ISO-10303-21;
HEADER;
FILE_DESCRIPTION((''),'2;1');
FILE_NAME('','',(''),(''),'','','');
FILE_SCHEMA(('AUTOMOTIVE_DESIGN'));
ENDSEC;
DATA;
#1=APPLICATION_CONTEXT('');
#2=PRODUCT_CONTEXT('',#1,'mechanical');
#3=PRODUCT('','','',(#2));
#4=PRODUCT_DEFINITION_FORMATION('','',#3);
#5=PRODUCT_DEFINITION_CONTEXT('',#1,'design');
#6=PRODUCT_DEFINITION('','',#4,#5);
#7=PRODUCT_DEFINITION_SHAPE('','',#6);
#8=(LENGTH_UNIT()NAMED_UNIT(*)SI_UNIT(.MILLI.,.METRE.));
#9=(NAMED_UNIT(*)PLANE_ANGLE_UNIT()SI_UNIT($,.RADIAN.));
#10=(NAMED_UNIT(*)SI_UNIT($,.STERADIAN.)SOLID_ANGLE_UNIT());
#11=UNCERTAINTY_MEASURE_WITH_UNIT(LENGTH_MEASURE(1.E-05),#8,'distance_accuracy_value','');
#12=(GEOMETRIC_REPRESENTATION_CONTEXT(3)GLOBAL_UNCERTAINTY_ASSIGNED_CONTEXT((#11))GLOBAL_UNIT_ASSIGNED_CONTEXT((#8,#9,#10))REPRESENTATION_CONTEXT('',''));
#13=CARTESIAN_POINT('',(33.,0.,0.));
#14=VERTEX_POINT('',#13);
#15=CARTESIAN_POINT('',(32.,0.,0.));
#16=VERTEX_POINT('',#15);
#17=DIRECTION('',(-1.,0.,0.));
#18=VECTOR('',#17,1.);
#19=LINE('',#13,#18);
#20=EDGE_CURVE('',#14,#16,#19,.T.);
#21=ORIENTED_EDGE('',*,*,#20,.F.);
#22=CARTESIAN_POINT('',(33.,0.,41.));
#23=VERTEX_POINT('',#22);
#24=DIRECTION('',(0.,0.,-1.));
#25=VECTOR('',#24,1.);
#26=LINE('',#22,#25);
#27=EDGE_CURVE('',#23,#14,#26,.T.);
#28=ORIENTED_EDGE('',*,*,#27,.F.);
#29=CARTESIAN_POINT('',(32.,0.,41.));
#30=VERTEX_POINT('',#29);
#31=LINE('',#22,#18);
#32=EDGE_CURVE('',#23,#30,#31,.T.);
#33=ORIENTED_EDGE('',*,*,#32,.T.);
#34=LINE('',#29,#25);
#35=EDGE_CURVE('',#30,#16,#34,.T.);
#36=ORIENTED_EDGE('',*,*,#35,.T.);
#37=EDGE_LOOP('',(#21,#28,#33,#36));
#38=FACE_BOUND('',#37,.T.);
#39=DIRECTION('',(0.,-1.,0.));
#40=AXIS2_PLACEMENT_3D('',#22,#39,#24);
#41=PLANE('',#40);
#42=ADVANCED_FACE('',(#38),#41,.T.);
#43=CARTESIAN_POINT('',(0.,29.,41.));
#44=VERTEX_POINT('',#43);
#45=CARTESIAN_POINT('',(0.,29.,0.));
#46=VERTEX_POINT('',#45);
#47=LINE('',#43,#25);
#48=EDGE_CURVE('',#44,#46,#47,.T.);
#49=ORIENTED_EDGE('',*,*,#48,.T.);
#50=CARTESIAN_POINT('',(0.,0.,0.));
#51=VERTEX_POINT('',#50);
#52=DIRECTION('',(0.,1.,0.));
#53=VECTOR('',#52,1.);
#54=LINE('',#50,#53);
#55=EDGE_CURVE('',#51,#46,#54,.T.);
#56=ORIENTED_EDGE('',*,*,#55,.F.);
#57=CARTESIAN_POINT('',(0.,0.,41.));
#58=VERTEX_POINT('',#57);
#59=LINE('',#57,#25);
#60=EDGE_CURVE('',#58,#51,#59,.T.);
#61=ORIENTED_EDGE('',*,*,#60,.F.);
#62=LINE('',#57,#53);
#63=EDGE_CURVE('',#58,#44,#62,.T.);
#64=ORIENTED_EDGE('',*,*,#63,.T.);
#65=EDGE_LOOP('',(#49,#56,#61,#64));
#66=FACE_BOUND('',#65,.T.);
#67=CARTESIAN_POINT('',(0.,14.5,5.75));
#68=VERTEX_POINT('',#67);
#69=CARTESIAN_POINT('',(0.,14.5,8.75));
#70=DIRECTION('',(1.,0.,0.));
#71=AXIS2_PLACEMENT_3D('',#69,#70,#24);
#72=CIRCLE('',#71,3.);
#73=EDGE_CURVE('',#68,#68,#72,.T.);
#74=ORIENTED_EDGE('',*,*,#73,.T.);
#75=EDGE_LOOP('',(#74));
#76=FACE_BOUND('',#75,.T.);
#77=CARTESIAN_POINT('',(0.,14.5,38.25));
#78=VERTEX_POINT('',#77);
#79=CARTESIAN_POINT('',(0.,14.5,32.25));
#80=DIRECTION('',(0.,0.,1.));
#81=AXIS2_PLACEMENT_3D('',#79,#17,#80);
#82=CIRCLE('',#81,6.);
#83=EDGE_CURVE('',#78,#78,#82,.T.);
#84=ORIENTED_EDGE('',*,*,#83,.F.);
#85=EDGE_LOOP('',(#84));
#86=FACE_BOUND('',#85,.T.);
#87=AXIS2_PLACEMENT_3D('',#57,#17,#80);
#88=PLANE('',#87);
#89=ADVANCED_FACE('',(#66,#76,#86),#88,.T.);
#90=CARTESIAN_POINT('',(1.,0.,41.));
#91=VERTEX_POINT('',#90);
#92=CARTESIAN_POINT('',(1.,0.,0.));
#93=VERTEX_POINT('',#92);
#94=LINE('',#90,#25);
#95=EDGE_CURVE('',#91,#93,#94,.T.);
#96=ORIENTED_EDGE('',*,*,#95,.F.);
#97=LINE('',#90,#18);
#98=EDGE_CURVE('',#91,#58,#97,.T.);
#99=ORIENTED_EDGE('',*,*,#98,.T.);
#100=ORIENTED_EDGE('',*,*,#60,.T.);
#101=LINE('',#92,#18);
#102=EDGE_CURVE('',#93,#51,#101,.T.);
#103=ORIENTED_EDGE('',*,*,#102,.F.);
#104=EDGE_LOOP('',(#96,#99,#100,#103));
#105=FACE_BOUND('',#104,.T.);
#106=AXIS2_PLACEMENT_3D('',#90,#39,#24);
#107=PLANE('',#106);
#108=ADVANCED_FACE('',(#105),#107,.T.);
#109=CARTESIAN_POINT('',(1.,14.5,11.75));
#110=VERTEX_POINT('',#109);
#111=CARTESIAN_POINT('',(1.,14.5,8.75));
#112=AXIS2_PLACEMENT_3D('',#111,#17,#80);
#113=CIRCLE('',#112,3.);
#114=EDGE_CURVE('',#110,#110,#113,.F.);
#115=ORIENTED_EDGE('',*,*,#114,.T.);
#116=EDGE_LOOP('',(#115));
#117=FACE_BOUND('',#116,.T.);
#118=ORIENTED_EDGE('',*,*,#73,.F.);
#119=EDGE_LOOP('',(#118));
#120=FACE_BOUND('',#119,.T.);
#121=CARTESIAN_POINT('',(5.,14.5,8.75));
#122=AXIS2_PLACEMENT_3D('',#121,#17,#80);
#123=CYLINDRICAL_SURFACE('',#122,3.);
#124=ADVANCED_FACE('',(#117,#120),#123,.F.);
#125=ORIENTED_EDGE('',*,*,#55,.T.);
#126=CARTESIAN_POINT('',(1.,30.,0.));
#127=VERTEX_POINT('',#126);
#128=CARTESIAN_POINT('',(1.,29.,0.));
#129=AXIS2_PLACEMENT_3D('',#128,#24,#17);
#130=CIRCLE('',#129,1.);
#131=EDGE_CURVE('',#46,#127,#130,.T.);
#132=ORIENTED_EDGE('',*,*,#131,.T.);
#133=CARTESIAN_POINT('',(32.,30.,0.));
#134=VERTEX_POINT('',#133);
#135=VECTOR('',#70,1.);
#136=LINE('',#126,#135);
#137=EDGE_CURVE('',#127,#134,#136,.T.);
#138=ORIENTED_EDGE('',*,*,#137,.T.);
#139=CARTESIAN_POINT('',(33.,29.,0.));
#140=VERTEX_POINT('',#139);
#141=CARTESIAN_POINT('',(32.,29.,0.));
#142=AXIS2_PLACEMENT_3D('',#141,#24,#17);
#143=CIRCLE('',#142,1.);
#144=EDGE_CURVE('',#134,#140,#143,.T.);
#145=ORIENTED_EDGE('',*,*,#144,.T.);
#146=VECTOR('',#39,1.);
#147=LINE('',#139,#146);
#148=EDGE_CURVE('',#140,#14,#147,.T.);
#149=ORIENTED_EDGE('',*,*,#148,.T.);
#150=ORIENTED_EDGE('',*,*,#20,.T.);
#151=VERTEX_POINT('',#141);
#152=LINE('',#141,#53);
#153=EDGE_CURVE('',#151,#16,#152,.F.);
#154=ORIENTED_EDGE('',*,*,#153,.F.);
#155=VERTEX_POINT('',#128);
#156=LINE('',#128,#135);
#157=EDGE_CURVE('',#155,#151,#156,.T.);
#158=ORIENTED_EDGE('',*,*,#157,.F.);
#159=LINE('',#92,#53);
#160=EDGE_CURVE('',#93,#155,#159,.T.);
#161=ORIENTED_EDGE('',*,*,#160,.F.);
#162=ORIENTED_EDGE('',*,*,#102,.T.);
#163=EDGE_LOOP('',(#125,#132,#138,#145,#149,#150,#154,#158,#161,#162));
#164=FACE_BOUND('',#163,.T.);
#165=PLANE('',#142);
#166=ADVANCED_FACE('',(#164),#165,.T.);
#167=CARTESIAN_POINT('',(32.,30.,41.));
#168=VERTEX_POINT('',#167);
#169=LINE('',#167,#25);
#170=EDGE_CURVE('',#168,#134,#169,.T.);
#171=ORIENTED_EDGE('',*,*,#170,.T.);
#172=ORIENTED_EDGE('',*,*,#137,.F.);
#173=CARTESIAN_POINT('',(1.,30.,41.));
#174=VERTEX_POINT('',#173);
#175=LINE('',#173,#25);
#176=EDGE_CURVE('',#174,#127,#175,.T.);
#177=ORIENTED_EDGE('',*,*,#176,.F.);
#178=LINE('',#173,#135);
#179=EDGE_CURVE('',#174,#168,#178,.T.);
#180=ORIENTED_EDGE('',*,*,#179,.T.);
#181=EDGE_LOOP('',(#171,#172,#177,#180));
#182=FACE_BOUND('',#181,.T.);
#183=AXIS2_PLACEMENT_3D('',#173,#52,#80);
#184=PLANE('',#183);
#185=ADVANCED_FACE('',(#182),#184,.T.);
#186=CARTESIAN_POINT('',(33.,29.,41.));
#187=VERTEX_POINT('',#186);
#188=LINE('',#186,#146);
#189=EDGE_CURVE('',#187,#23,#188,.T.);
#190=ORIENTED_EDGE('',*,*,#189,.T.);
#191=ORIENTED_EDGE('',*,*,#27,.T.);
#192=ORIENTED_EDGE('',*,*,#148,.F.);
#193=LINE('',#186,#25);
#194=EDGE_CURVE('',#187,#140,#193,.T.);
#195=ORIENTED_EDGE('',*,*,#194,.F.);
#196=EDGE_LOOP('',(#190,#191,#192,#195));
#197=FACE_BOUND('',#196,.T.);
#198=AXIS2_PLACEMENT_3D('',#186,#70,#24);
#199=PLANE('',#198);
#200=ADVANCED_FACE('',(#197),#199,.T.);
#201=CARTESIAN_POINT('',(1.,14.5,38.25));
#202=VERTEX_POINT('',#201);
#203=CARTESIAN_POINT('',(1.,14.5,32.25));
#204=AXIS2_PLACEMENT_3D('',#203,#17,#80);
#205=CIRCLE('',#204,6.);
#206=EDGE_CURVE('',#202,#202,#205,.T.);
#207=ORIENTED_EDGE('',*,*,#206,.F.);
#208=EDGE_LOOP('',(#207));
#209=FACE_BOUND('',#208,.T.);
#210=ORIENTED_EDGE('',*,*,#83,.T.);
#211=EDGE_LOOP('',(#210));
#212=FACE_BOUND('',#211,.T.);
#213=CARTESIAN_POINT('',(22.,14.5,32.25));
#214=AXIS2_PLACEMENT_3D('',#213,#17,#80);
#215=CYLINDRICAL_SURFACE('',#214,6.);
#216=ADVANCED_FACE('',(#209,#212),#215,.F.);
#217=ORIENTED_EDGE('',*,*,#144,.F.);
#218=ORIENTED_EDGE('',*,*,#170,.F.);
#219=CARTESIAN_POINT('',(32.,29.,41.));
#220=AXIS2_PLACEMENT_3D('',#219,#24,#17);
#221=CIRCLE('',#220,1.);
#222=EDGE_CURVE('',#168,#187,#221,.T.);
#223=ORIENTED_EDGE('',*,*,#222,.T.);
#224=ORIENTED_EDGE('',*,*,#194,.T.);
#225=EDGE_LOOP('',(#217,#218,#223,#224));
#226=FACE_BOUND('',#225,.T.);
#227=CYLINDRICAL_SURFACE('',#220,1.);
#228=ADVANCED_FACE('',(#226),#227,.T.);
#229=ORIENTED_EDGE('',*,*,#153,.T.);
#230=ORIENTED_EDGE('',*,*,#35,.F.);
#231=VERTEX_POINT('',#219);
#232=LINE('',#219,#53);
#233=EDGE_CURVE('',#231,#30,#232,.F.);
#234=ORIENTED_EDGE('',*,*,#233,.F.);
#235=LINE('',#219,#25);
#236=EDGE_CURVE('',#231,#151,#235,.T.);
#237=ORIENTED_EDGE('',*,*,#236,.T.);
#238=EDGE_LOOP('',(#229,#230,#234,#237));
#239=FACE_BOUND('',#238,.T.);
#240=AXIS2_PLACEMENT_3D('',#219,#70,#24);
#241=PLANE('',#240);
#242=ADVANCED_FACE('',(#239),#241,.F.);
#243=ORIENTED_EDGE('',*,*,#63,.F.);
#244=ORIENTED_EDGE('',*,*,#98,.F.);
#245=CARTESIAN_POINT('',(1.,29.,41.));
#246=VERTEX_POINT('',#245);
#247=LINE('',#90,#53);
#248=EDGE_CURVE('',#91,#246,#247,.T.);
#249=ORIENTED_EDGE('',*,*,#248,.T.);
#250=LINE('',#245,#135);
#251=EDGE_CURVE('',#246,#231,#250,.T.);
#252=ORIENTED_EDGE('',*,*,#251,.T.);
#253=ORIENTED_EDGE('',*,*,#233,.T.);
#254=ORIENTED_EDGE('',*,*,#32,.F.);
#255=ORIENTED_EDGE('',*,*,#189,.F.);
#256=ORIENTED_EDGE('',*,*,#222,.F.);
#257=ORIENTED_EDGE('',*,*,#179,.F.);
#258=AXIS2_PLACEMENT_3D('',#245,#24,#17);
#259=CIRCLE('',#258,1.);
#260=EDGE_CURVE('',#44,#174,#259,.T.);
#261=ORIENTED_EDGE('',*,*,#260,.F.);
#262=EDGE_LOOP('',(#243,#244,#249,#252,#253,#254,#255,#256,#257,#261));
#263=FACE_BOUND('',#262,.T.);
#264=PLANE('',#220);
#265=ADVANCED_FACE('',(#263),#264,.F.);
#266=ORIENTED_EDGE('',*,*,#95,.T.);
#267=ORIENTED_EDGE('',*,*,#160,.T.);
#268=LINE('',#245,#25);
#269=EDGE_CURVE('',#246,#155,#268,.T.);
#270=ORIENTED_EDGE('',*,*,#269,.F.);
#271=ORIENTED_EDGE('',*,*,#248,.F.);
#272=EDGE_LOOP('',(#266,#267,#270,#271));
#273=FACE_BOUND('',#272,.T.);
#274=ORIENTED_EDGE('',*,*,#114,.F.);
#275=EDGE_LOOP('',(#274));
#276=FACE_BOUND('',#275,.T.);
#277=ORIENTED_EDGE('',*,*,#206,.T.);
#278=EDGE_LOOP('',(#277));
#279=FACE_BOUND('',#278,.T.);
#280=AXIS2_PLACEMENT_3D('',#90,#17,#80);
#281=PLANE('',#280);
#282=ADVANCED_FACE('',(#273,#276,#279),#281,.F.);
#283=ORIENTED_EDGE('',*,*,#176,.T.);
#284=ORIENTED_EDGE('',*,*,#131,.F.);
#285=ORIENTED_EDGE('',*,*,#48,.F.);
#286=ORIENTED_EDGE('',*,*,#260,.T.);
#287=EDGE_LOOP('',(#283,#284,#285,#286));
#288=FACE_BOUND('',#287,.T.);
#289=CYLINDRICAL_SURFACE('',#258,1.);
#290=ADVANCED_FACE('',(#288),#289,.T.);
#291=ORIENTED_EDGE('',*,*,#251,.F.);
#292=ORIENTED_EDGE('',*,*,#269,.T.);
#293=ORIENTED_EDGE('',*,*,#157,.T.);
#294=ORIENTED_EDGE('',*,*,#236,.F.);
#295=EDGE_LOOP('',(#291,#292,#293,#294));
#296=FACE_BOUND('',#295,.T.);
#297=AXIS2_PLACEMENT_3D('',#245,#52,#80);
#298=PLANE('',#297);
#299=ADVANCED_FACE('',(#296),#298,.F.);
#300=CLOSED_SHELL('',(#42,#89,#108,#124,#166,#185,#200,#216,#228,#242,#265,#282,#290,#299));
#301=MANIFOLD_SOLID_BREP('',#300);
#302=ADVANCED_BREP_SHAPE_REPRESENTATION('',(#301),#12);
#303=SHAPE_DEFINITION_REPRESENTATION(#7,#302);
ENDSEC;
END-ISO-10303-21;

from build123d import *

# Parameters (mm, degrees)
EKSTR_ZYON_NCE1_DEPTH = 41
IZIM2_R               = 3
KES_EKSTR_ZYON1_DEPTH = 5
IZIM4_R               = 6
KES_EKSTR_ZYON3_DEPTH = 22


with BuildPart() as part:
    # Çizim1 → Ekstrüzyon-İnce1 (new body)
    with BuildSketch(Plane.XY):
        with BuildLine():
            Line((0, 0), (0, 29))
            ThreePointArc((0, 29), (0.292893219, 29.707106781), (1, 30))
            Line((1, 30), (32, 30))
            ThreePointArc((32, 30), (32.707106781, 29.707106781), (33, 29))
            Line((33, 29), (33, 0))
            Line((33, 0), (32, 0))
            Line((32, 0), (32, 29))
            Line((32, 29), (1, 29))
            Line((1, 29), (1, 0))
            Line((1, 0), (0, 0))
        make_face()
    extrude(amount=EKSTR_ZYON_NCE1_DEPTH)

    # Çizim2 → Kes-Ekstrüzyon1 (cut)
    with BuildSketch(Plane(origin=(0, 0, 0), x_dir=(0, 0, -1), z_dir=(1, 0, 0))):
        with Locations((-32.25, 14.5)):
            Circle(IZIM2_R)
        with Locations((-8.75, 14.5)):
            Circle(IZIM2_R)
    extrude(amount=KES_EKSTR_ZYON1_DEPTH, mode=Mode.SUBTRACT)

    # Çizim4 → Kes-Ekstrüzyon3 (cut)
    with BuildSketch(Plane.ZY):
        with Locations((32.25, 14.5)):
            Circle(IZIM4_R)
    extrude(amount=-KES_EKSTR_ZYON3_DEPTH, mode=Mode.SUBTRACT)


solid = part.part
